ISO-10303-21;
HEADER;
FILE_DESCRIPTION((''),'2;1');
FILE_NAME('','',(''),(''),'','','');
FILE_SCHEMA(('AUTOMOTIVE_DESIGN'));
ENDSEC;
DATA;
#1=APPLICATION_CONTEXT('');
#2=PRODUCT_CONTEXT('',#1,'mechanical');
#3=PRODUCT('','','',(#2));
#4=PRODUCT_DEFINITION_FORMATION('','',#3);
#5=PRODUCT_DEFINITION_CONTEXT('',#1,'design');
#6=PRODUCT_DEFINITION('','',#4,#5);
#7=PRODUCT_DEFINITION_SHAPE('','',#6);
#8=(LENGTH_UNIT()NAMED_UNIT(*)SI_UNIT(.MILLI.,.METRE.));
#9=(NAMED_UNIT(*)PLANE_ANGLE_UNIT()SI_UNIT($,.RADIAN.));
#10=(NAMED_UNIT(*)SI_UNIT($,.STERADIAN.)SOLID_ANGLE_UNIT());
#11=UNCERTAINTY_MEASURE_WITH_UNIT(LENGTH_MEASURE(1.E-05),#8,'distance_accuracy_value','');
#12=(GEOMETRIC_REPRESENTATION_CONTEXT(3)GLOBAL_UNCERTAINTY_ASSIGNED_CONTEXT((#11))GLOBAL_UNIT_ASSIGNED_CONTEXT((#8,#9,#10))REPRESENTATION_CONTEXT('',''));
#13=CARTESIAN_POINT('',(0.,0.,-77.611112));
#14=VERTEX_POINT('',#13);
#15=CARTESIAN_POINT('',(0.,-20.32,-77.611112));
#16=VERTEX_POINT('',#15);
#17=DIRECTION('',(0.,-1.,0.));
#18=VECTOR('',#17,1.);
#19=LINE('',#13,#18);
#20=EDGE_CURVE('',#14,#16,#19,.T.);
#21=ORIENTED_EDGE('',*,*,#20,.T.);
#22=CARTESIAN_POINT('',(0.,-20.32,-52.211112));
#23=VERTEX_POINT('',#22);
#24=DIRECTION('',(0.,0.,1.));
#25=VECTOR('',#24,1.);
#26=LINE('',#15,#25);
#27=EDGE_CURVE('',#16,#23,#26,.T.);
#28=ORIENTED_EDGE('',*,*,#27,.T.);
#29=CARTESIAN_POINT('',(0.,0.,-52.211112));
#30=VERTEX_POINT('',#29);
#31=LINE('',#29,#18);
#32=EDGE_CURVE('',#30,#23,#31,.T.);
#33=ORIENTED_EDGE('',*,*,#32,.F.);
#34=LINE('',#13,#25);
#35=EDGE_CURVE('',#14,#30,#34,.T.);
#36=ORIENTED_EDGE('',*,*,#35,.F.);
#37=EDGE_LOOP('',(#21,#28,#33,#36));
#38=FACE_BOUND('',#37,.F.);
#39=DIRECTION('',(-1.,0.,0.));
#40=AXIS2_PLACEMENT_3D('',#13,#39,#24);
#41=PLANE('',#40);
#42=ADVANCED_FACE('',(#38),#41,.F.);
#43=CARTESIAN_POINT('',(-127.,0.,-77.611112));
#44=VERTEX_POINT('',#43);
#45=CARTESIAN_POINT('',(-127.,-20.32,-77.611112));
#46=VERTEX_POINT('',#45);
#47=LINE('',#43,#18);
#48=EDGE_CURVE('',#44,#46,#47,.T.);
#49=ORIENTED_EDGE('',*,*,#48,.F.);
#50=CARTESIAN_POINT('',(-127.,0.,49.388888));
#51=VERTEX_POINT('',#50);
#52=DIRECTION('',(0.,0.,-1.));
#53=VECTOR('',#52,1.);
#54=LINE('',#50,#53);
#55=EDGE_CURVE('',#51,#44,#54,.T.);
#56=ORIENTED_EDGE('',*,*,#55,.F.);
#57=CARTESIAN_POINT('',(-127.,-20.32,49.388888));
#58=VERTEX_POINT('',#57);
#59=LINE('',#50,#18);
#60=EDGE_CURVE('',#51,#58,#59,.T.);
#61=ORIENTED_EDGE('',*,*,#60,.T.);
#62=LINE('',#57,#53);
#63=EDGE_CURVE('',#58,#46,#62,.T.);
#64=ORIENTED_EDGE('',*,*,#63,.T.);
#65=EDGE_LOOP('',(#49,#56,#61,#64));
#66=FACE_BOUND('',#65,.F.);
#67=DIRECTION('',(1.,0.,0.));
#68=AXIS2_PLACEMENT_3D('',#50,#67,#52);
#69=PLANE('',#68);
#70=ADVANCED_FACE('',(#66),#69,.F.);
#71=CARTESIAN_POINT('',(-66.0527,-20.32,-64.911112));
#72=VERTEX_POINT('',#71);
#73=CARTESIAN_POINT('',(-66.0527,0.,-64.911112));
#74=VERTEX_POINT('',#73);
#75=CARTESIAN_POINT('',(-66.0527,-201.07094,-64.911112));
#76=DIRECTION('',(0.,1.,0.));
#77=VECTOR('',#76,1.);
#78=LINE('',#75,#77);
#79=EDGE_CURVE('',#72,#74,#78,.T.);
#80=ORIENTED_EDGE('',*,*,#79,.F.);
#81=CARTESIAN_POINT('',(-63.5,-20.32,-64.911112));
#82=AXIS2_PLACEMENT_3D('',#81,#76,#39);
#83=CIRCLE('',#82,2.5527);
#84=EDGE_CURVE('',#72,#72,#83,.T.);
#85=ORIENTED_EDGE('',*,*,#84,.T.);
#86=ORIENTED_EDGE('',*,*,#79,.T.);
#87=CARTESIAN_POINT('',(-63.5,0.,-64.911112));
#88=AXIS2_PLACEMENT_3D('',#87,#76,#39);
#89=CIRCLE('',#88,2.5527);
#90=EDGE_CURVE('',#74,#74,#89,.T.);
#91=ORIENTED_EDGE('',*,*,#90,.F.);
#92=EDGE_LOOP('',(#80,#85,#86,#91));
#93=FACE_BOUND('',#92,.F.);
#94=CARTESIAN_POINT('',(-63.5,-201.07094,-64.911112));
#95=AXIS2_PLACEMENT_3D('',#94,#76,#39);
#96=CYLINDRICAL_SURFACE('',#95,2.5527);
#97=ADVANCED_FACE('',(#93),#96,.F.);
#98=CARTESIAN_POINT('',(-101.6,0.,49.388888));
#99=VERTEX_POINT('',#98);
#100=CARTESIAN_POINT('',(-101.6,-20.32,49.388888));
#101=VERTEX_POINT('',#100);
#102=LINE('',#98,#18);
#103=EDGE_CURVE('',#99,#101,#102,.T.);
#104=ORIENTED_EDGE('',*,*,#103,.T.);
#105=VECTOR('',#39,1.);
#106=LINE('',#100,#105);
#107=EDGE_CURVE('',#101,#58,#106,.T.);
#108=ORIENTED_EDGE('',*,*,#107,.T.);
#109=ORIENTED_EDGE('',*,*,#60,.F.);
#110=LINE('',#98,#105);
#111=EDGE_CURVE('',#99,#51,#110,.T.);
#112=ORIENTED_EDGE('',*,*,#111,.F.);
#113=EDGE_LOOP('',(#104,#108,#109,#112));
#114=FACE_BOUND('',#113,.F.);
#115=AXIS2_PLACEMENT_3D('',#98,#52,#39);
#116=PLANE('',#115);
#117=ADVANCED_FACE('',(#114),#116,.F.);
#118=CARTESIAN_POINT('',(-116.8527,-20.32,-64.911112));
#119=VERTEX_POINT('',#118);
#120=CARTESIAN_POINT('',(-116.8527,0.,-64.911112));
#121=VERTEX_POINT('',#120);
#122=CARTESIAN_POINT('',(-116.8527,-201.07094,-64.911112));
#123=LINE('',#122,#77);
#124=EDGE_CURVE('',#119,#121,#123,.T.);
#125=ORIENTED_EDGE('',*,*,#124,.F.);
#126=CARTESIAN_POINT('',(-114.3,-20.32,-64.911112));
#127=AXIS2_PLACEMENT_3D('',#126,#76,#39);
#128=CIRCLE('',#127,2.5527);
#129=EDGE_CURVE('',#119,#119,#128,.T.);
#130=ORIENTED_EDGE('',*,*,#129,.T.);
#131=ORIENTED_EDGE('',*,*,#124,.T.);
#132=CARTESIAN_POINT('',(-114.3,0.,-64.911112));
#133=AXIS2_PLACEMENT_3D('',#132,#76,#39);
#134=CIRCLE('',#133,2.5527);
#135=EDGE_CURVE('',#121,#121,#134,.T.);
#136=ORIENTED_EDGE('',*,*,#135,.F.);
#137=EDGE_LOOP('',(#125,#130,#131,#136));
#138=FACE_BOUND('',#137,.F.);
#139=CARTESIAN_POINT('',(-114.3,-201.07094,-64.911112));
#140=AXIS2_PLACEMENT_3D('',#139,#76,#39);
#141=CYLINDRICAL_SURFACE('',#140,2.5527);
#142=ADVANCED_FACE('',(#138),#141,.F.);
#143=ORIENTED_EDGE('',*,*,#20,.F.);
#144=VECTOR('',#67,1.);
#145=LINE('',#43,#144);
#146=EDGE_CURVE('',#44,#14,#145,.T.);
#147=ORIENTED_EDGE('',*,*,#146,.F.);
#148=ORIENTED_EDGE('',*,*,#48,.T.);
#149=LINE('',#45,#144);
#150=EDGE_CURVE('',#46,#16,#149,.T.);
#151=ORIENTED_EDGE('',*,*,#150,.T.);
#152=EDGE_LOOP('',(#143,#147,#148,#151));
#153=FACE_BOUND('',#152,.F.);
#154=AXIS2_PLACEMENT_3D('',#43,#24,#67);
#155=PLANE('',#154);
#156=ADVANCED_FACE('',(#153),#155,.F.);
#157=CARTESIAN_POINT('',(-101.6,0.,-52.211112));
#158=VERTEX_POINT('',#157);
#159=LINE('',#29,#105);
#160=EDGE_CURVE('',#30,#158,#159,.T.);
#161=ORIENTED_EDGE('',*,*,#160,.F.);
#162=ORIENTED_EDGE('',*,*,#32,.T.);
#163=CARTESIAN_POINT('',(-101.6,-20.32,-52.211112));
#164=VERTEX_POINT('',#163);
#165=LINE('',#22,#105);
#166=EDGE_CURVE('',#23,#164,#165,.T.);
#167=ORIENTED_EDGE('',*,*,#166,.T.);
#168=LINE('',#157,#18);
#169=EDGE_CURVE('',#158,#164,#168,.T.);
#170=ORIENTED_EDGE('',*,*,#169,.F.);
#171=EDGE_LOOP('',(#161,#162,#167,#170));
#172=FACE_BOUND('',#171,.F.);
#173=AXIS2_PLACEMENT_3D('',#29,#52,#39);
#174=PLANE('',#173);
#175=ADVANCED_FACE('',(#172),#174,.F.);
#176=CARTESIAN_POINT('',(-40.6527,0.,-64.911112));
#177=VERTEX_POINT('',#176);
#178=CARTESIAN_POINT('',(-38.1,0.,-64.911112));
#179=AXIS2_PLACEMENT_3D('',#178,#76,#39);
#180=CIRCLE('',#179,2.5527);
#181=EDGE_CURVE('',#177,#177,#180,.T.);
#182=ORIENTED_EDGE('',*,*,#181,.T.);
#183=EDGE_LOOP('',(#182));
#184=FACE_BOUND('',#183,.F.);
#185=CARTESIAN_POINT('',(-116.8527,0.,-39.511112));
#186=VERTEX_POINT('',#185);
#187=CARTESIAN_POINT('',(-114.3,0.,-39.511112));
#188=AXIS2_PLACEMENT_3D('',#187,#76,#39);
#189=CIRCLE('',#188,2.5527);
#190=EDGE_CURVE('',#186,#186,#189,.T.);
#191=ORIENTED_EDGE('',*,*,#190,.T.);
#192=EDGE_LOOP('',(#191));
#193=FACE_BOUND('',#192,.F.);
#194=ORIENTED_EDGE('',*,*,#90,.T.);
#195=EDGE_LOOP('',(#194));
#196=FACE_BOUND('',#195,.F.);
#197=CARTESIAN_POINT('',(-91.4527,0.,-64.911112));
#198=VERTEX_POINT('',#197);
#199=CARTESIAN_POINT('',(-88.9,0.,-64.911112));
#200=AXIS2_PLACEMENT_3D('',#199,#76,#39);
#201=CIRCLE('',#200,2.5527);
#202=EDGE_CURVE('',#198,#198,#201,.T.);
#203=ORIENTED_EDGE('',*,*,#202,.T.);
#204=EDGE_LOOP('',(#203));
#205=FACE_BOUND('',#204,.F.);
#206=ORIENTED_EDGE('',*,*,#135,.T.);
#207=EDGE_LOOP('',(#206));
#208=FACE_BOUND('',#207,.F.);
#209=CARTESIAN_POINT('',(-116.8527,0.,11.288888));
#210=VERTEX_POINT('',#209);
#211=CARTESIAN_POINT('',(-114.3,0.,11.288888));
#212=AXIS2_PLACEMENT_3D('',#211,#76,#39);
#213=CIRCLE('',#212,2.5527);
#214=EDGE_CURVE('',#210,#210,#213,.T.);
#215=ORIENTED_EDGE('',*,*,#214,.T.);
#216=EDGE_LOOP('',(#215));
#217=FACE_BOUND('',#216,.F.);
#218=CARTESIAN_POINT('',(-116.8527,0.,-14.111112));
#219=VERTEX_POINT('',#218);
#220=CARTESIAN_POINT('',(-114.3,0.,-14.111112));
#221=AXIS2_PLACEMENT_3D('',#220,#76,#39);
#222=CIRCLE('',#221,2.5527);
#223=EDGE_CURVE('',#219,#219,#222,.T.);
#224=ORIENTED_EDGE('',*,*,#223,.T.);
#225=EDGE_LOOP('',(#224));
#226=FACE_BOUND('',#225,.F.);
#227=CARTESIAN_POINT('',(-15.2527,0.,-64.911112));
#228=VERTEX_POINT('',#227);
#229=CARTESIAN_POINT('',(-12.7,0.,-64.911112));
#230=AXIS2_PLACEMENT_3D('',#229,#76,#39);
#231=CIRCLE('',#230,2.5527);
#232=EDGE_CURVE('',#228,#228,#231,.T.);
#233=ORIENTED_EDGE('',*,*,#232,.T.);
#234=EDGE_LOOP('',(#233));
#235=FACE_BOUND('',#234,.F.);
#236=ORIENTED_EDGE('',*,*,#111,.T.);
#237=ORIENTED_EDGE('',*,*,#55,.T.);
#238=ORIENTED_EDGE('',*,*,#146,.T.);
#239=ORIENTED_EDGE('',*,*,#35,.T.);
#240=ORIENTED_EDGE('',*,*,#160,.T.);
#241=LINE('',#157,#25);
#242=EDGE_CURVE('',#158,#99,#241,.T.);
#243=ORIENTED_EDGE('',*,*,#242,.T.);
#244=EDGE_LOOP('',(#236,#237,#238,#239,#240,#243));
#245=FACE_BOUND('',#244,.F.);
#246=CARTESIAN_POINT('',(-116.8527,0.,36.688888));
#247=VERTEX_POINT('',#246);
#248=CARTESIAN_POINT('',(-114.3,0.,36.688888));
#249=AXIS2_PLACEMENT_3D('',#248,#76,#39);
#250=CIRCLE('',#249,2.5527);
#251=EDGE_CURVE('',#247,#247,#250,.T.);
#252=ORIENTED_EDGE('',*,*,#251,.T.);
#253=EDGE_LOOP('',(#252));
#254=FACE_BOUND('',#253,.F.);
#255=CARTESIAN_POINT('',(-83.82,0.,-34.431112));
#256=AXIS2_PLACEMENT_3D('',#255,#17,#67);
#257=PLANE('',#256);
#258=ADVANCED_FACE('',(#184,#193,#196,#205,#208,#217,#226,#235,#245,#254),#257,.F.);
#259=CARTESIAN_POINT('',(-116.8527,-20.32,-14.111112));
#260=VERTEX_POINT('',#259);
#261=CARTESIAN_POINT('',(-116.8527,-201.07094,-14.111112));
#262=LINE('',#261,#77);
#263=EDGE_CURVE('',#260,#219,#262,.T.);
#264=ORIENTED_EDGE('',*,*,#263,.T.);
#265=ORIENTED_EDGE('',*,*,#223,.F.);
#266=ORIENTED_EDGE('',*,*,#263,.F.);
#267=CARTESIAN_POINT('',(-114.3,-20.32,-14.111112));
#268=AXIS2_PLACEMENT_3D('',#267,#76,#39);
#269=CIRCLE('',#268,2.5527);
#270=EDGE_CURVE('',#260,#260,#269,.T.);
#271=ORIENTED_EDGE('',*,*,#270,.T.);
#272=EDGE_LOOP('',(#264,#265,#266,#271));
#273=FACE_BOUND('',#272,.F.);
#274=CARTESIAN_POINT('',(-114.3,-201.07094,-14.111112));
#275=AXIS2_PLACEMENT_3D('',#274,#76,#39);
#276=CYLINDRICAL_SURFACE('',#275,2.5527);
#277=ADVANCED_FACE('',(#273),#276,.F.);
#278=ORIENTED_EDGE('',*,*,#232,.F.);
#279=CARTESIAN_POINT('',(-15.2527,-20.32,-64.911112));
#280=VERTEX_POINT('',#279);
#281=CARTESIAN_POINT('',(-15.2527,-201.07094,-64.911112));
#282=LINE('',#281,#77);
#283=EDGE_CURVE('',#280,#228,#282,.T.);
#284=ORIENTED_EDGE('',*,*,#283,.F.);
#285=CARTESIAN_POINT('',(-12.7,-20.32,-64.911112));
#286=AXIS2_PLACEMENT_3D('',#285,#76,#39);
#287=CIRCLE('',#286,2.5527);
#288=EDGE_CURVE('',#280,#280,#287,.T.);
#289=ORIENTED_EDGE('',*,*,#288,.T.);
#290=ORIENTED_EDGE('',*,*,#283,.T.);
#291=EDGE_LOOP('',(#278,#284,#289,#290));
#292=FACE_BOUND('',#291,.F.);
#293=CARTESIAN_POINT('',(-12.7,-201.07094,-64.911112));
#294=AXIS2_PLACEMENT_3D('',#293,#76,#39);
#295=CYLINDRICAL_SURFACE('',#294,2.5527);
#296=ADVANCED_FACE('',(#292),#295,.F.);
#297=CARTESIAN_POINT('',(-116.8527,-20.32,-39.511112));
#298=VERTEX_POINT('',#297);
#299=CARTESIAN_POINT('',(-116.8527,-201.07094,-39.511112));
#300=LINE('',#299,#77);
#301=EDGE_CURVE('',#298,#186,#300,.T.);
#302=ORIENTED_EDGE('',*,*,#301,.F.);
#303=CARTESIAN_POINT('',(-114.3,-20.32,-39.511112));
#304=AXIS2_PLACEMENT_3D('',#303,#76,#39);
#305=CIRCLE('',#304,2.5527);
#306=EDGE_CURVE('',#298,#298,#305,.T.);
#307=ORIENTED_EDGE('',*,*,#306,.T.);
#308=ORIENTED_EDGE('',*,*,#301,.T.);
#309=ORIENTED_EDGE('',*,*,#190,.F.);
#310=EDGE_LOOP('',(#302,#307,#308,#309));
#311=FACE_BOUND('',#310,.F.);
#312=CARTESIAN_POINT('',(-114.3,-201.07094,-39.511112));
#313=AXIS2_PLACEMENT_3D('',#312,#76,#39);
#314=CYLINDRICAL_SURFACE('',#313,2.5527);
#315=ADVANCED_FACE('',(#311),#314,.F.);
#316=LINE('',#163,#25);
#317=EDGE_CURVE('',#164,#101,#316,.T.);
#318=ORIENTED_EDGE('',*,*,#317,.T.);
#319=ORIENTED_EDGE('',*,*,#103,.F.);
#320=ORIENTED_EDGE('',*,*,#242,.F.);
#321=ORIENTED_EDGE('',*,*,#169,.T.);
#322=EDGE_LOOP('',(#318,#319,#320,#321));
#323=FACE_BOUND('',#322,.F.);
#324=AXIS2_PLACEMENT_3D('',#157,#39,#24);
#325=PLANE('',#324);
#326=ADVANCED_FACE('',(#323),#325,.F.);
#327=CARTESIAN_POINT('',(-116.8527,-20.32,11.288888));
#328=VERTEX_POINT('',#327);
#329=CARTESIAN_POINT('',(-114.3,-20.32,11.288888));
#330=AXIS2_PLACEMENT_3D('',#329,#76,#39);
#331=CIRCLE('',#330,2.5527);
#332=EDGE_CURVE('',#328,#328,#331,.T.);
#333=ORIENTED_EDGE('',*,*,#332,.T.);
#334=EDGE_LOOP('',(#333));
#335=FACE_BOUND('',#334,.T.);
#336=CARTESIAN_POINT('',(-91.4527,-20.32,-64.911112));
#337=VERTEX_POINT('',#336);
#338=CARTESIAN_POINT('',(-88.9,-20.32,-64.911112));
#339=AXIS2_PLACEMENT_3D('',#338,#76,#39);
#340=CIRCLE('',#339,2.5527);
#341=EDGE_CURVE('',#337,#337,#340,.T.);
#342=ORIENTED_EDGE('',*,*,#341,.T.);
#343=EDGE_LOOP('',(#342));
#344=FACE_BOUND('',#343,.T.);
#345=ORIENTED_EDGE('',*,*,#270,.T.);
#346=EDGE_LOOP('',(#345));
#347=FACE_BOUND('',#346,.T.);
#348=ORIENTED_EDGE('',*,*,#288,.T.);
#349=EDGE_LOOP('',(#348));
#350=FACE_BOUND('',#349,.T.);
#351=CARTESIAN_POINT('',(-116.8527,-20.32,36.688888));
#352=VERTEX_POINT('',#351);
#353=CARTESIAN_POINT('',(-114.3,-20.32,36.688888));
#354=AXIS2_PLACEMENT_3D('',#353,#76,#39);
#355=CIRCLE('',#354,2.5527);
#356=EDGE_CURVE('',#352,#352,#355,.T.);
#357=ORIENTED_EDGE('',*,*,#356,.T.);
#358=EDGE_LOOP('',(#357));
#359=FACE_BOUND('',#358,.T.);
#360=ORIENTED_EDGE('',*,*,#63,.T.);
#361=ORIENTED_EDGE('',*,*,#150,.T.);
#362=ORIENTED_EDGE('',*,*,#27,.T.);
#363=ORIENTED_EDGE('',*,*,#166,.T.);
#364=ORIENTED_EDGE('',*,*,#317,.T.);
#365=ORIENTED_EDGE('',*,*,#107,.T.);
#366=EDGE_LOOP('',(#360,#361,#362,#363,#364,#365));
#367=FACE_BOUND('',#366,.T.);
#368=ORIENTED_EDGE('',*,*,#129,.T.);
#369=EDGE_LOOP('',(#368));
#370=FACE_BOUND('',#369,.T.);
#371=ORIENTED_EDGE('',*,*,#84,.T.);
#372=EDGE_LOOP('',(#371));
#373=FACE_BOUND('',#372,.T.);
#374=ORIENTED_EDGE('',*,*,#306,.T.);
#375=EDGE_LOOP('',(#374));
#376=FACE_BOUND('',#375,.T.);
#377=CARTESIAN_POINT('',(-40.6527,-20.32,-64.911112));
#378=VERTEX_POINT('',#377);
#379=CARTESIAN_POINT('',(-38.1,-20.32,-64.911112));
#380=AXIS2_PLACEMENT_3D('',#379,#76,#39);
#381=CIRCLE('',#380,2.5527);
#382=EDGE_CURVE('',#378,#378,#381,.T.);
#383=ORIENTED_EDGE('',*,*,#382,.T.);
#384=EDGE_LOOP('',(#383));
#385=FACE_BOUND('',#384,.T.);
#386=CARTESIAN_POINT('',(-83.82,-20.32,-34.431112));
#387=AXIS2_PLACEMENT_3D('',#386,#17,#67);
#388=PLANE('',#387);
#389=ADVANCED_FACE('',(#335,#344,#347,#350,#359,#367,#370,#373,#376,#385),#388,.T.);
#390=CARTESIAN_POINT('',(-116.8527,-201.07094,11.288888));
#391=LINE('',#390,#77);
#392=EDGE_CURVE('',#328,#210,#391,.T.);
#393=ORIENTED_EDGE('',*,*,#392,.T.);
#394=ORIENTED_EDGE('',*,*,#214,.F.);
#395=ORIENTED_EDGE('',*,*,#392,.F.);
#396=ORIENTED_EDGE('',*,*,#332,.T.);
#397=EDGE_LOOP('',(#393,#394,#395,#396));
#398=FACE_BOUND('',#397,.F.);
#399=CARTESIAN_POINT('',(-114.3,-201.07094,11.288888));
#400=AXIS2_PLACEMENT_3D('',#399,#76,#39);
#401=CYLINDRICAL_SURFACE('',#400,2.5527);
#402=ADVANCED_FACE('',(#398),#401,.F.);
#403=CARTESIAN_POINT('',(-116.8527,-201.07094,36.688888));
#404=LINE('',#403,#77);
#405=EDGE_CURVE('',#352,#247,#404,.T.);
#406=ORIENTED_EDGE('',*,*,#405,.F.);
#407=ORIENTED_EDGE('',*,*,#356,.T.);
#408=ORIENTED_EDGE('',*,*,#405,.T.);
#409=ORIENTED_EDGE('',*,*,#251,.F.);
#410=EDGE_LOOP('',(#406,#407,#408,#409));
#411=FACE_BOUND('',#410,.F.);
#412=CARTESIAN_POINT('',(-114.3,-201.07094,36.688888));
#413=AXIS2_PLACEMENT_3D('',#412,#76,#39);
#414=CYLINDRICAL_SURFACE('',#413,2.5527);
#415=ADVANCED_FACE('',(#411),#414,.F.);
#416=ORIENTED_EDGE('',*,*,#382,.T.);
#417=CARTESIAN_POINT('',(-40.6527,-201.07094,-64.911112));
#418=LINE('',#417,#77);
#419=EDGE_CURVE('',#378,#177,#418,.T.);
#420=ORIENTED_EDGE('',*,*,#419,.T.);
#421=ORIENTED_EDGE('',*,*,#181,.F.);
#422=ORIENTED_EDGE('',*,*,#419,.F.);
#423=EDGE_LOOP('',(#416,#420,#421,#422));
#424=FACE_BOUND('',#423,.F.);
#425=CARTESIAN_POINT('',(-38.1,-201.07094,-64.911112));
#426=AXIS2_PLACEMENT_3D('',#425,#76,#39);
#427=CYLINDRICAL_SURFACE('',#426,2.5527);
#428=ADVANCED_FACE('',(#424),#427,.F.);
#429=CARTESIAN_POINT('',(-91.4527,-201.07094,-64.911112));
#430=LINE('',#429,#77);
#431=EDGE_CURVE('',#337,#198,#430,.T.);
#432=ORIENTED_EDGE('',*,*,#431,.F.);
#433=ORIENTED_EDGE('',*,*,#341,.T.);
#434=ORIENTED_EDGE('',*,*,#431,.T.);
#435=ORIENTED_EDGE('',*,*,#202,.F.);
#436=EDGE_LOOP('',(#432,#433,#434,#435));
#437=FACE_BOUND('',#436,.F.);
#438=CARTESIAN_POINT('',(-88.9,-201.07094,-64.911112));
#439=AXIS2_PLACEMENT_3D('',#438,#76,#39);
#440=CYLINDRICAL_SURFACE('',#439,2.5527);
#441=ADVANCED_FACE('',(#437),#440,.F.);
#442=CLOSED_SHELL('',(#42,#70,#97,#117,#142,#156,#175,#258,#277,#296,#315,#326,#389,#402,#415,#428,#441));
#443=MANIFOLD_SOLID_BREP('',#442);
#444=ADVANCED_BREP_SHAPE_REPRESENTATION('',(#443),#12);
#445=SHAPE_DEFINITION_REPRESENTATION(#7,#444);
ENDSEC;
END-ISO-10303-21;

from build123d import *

# Parameters (mm, degrees)
F1_DEPTH = 20.32
F3_D     = 5.1054


with BuildPart() as f1:
    # F0 (on Front) → F1 (new body)
    with BuildSketch(Plane.XZ):
        Polygon((-101.6, 49.388888), (-127, 49.388888), (-127, -77.611112), (0, -77.611112), (0, -52.211112), (-101.6, -52.211112), align=None)
    extrude(amount=F1_DEPTH)

    # F3 (through all)
    with Locations(Plane.XZ.offset(20.32)):
        with Locations((-12.7, -64.911112), (-114.3, -64.911112), (-88.9, -64.911112), (-63.5, -64.911112), (-38.1, -64.911112), (-114.3, 11.288888), (-114.3, -14.111112), (-114.3, -39.511112), (-114.3, 36.688888)):
            Hole(F3_D / 2)


solid = f1.part
